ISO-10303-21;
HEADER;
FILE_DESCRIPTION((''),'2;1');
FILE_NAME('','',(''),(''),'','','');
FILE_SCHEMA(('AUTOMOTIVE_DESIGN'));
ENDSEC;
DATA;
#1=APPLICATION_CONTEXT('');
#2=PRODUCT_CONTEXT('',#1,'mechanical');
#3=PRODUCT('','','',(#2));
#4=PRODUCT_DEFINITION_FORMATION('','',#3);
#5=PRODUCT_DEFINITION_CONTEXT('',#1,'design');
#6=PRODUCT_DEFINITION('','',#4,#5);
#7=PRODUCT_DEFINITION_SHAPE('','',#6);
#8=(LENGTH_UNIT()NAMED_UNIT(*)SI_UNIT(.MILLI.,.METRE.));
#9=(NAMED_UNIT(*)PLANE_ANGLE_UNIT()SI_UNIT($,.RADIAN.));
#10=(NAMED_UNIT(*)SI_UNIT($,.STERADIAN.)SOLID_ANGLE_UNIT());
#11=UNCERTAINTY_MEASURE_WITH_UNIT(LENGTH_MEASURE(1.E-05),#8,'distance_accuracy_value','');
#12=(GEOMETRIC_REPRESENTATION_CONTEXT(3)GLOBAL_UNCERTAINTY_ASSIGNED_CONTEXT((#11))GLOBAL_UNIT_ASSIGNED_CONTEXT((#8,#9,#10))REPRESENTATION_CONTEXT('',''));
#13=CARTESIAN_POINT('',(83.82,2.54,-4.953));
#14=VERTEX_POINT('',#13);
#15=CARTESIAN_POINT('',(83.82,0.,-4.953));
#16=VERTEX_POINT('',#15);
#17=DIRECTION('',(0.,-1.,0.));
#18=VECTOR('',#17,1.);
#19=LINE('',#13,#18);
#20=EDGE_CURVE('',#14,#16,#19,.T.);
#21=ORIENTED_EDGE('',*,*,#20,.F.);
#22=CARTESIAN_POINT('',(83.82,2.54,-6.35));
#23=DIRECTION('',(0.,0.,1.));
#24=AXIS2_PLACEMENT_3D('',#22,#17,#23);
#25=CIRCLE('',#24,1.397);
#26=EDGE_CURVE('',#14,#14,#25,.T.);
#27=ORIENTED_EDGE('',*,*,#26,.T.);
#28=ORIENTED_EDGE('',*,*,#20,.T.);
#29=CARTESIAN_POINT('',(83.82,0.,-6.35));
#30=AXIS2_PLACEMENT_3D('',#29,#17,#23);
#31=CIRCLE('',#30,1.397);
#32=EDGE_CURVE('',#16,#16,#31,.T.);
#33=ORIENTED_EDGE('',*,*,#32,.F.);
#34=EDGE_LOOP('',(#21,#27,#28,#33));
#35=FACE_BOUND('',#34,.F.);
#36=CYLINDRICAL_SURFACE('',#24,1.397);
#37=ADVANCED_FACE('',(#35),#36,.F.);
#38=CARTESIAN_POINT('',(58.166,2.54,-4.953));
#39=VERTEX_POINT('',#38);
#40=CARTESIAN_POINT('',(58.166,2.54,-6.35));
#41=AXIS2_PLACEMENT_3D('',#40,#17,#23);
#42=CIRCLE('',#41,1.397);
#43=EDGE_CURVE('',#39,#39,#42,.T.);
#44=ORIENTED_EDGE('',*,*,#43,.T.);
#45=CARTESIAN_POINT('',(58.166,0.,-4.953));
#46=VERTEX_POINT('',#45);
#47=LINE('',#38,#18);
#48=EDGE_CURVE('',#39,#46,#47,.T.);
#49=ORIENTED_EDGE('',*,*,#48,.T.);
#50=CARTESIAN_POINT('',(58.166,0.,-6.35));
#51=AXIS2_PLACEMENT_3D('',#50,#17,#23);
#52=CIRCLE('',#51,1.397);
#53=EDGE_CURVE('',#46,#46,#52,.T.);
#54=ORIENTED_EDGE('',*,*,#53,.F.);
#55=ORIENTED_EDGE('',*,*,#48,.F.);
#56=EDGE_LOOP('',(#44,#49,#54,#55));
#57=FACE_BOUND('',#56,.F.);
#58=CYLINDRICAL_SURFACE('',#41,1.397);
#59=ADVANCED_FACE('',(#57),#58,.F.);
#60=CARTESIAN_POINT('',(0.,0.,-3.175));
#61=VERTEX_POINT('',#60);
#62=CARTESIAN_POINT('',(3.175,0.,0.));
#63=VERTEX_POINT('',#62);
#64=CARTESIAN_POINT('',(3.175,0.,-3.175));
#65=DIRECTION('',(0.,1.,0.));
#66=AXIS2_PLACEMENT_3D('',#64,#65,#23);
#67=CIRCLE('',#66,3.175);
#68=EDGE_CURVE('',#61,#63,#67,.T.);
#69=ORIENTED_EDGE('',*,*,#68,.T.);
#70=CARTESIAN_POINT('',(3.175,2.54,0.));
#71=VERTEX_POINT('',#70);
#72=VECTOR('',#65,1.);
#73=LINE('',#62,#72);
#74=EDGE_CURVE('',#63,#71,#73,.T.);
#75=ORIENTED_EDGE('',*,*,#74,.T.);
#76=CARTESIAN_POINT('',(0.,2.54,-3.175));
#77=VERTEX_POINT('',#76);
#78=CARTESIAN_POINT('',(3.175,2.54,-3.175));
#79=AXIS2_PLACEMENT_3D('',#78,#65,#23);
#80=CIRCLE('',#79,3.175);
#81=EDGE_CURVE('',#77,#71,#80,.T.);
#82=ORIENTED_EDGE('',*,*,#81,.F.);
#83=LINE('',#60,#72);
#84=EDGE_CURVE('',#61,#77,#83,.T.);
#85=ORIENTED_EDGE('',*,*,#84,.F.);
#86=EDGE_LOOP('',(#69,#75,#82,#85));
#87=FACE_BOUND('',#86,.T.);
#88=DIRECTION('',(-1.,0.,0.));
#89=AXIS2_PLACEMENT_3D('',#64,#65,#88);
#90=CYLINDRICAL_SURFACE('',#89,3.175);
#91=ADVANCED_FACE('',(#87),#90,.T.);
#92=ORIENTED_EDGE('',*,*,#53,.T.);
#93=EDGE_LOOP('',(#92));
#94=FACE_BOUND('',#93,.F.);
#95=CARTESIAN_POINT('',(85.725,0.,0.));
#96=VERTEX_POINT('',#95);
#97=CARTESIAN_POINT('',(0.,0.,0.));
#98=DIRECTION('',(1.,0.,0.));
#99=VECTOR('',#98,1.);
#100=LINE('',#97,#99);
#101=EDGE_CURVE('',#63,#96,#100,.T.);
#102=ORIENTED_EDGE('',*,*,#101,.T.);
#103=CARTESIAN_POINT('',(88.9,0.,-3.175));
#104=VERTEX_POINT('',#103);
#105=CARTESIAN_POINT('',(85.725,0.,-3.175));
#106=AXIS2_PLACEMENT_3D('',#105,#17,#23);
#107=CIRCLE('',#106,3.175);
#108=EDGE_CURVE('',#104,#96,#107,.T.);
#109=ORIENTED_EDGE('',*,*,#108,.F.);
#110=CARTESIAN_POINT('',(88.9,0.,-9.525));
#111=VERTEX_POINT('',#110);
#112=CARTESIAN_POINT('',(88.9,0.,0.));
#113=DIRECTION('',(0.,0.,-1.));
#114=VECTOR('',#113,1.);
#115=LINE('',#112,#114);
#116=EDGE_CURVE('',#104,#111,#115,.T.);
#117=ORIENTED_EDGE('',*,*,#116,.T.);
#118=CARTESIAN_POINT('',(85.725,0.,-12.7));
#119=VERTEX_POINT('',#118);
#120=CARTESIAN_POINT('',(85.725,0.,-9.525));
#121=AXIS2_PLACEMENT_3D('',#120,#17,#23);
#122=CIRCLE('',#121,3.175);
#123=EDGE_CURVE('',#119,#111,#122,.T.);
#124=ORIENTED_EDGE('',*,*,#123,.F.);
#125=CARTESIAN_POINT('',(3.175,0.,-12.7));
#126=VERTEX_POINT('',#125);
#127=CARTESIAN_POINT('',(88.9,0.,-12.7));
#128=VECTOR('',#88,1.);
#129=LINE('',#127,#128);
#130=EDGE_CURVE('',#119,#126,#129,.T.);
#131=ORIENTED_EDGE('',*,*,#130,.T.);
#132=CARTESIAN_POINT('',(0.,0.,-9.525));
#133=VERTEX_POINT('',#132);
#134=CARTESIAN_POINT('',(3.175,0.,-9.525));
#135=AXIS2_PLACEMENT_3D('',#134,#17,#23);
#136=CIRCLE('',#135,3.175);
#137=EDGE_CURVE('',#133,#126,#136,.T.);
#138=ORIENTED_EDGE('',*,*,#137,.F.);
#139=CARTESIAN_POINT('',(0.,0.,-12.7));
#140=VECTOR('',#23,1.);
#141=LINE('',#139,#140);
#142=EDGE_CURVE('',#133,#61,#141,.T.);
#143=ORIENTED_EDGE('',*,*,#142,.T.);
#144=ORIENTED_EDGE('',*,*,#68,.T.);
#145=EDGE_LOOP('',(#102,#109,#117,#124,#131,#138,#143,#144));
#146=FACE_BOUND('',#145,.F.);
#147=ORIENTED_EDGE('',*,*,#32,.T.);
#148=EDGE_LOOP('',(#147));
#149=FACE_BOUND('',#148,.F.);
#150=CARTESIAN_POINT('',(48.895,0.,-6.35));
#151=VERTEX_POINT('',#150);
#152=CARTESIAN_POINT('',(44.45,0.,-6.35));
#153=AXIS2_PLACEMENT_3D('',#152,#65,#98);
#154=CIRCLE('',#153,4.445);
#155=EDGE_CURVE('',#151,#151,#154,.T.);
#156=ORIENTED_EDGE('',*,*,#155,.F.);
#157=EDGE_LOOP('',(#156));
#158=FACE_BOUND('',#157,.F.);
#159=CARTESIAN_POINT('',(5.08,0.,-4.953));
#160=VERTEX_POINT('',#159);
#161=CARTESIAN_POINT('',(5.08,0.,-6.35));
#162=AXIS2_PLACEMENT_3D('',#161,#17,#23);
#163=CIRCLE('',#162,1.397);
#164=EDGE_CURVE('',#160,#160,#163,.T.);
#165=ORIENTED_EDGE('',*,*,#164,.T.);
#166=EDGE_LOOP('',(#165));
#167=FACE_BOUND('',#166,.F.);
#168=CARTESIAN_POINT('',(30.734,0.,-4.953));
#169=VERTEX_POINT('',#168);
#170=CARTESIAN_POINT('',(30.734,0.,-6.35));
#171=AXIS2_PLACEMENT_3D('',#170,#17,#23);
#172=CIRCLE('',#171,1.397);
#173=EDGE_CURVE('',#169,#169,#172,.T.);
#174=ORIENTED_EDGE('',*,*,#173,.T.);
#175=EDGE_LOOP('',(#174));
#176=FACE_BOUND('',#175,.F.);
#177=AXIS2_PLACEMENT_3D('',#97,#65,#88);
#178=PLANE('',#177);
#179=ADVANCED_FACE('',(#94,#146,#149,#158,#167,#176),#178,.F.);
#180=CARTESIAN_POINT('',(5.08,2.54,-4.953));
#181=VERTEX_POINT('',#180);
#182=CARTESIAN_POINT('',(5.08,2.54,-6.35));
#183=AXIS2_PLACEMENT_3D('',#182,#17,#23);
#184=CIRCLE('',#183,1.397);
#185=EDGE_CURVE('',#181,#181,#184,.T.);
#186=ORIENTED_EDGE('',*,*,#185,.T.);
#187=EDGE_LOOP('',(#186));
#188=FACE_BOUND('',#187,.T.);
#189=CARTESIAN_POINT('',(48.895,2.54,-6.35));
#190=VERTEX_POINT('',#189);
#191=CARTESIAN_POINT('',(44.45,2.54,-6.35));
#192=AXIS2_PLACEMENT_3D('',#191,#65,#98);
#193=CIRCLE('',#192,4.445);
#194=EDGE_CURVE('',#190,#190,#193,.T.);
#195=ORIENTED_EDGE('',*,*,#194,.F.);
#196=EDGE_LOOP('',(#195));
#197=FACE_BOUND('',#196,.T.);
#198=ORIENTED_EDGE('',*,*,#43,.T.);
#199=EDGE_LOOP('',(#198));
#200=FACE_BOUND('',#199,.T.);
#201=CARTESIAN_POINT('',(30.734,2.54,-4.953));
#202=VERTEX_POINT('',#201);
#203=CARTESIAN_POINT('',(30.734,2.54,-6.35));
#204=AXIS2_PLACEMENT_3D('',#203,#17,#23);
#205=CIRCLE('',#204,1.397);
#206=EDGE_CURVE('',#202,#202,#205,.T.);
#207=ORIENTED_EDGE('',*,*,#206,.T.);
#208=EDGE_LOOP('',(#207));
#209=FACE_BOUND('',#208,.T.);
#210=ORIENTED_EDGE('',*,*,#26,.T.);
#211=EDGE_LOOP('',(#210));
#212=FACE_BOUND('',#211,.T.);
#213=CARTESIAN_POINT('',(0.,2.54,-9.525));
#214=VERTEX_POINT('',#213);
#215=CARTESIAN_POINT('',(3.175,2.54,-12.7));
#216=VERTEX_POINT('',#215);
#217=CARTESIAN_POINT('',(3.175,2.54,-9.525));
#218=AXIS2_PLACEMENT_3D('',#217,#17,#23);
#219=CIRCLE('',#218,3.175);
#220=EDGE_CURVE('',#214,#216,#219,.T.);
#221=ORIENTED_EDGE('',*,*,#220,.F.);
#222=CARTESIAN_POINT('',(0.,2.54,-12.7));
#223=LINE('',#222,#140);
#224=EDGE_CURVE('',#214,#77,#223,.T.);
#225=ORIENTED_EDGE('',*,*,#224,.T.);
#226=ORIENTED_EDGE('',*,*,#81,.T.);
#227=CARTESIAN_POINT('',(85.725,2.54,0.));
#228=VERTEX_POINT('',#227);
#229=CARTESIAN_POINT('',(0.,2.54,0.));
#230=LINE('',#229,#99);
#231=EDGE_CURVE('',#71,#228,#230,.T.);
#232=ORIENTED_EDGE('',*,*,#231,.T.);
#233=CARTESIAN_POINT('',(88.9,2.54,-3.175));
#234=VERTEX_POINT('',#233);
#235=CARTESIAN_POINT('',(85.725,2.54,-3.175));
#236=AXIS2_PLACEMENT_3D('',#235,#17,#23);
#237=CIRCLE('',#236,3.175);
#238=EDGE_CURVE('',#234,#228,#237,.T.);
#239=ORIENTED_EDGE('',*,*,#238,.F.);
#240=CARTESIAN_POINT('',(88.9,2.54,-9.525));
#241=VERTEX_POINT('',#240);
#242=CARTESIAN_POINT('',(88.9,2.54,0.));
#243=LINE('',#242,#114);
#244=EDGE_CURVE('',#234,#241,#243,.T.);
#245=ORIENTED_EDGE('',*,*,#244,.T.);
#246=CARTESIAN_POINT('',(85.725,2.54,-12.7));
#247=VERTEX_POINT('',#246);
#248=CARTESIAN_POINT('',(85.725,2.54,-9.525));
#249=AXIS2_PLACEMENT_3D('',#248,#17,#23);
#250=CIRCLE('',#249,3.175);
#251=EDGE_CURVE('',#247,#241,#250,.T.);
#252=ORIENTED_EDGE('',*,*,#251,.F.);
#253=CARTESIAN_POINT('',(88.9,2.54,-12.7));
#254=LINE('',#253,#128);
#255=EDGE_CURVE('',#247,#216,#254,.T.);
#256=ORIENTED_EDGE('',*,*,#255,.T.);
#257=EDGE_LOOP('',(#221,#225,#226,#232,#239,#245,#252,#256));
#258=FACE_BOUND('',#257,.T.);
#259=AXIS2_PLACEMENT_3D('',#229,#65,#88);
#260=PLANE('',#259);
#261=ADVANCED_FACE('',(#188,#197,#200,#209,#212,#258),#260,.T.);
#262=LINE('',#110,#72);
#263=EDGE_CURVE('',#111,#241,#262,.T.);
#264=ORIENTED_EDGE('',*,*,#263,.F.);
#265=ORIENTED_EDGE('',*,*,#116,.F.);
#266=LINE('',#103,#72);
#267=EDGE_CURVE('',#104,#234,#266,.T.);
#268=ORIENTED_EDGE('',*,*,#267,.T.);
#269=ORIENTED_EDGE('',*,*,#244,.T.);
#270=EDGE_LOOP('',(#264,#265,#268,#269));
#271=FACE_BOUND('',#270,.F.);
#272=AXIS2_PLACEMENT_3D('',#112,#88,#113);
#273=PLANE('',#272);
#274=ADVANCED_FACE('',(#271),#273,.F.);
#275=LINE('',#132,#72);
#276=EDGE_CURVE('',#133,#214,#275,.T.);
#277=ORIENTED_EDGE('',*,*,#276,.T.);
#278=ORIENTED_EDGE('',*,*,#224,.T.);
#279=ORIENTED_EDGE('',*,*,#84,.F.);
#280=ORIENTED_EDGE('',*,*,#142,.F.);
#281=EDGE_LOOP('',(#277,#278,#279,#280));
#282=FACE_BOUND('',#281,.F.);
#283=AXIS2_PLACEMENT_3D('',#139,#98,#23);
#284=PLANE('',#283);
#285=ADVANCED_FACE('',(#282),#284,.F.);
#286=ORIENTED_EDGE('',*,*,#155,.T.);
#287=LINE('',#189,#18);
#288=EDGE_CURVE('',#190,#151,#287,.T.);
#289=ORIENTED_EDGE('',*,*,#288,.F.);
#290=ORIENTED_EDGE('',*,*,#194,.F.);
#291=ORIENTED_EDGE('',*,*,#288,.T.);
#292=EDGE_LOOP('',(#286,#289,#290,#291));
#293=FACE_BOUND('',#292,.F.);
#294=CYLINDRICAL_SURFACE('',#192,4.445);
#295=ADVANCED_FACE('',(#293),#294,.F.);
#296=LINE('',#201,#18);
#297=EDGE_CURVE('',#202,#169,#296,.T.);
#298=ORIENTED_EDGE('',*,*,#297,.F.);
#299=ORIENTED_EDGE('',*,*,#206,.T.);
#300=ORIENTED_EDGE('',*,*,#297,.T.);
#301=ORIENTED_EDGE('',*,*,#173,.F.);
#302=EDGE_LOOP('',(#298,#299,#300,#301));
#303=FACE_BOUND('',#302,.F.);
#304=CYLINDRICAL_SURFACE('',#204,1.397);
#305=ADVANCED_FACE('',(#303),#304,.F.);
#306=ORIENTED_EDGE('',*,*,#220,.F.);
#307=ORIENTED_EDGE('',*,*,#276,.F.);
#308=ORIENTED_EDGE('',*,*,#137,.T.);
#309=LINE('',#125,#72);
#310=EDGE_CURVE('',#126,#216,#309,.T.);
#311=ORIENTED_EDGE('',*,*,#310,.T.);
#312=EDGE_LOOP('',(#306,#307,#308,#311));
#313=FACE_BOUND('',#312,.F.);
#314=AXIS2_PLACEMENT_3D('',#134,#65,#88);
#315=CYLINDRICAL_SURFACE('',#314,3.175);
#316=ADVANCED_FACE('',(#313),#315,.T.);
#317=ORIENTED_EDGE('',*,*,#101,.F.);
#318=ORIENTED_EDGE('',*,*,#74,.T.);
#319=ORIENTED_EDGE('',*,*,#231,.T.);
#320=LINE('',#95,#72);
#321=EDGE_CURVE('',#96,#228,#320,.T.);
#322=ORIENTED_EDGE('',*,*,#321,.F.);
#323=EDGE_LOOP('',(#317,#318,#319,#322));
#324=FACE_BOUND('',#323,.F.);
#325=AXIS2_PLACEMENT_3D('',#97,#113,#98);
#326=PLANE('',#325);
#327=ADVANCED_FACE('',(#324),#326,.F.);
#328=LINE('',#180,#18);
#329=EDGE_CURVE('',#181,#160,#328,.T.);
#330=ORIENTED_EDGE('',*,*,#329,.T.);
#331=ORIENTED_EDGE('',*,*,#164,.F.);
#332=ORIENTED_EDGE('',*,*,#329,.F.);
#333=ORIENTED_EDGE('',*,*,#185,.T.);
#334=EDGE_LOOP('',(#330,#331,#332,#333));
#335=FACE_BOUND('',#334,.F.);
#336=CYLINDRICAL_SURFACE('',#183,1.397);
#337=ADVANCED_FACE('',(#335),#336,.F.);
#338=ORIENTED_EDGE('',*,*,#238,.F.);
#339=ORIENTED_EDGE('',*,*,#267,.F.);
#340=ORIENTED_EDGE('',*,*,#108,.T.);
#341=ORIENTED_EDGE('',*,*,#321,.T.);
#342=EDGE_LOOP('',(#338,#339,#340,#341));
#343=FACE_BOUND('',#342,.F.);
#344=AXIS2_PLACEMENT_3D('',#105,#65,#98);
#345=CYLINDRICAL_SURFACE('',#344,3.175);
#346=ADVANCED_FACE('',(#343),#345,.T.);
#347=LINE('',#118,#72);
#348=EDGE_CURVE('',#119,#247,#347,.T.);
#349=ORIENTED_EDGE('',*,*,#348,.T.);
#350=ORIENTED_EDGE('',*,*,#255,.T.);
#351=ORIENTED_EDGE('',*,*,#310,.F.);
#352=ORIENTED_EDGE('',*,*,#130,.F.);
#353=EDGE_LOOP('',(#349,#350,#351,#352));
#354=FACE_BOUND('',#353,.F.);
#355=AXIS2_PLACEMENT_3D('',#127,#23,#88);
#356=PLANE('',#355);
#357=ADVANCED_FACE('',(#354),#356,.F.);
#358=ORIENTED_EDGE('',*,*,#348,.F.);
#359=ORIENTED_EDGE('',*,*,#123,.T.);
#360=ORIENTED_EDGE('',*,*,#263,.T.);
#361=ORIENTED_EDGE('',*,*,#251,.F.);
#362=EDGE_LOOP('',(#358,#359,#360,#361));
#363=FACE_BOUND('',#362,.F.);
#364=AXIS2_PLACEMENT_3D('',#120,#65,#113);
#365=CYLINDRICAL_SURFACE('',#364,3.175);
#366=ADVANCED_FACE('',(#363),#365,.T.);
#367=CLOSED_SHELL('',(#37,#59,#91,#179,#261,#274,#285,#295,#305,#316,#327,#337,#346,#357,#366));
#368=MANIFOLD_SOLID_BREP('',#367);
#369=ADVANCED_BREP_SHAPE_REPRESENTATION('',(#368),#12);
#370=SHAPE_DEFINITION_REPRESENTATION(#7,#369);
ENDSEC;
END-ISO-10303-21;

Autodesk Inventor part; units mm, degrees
ref_plane "YZ Plane" through (0, 0, 0) normal (1, 0, 0) x (0, 1, 0)
ref_plane "XZ Plane" through (0, 0, 0) normal (0, 1, 0) x (-1, 0, 0)
ref_plane "XY Plane" through (0, 0, 0) normal (0, 0, 1) x (1, 0, 0)
sketch "Sketch1" plane through (0, 0, 0) normal (0, 1, 0) x (-1, 0, 0)
  line L0 (0, 0) -> (-88.9, 0)
  line L1 (-88.9, 0) -> (-88.9, -12.7)
  line L2 (-88.9, -12.7) -> (0, -12.7)
  line L3 (0, -12.7) -> (0, 0)
  dimension "d0" = 88.9
  dimension "d1" = 12.7
extrude "Extrusion1" add sketch "Sketch1" along normal blind 2.54
fillet "Fillet1" radius 3.175 4 edges at (88.9, 1.27, 0) (88.9, 1.27, -12.7) (0, 1.27, -12.7) (0, 1.27, 0)
sketch "Sketch2" plane through (0, 2.54, 0) normal (0, 1, 0) x (1, 0, 0)
  line L0 (88.9, 3.175) -> (88.9, 9.525) projected
  line L1 (88.9, 6.35) -> (44.45, 6.35)
  circle A0 centre (44.45, 6.35) radius 4.445
  point P0 (0, 0)
  dimension "d5" = 44.45
  dimension "d6" = 8.89
extrude "Extrusion2" cut sketch "Sketch2" against normal blind 2.54
sketch "Sketch3" plane through (0, 2.54, 0) normal (0, 1, 0) x (1, 0, 0)
  line L0 (3.175, 0) -> (85.725, 0) projected
  line L1 (44.45, 0) -> (44.45, 12.7)
  line L2 (85.725, 12.7) -> (3.175, 12.7) projected
  line L3 (44.45, 6.35) -> (58.166, 6.35)
  point P0 (0, 0)
  dimension "d9" = 13.716
hole "Hole1" at (58.166, 2.54, -6.35) direction (0, -1, 0) diameter 2.794 end through all
sketch "Sketch4" plane through (0, 2.54, 0) normal (0, 1, 0) x (1, 0, 0)
  line L0 (85.725, 12.7) -> (3.175, 12.7) projected
  line L1 (44.45, 12.7) -> (44.45, 0)
  line L2 (3.175, 0) -> (85.725, 0) projected
  line L3 (44.45, 6.35) -> (30.734, 6.35)
  point P0 (0, 0)
  dimension "d17" = 13.716
hole "Hole2" at (30.734, 2.54, -6.35) direction (0, -1, 0) diameter 2.794 end through all
sketch "Sketch5" plane through (0, 2.54, 0) normal (0, 1, 0) x (1, 0, 0)
  line L0 (0, 9.525) -> (0, 3.175) projected
  line L1 (0, 6.35) -> (5.08, 6.35)
  point P0 (0, 0)
  dimension "d25" = 5.08
hole "Hole3" at (5.08, 2.54, -6.35) direction (0, -1, 0) diameter 2.794 end through all
sketch "Sketch6" plane through (0, 2.54, 0) normal (0, 1, 0) x (1, 0, 0)
  line L0 (88.9, 3.175) -> (88.9, 9.525) projected
  line L1 (88.9, 6.35) -> (83.82, 6.35)
  point P0 (0, 0)
  dimension "d33" = 5.08
hole "Hole4" at (83.82, 2.54, -6.35) direction (0, -1, 0) diameter 2.794 end through all
properties part number "Main Rod v1"
